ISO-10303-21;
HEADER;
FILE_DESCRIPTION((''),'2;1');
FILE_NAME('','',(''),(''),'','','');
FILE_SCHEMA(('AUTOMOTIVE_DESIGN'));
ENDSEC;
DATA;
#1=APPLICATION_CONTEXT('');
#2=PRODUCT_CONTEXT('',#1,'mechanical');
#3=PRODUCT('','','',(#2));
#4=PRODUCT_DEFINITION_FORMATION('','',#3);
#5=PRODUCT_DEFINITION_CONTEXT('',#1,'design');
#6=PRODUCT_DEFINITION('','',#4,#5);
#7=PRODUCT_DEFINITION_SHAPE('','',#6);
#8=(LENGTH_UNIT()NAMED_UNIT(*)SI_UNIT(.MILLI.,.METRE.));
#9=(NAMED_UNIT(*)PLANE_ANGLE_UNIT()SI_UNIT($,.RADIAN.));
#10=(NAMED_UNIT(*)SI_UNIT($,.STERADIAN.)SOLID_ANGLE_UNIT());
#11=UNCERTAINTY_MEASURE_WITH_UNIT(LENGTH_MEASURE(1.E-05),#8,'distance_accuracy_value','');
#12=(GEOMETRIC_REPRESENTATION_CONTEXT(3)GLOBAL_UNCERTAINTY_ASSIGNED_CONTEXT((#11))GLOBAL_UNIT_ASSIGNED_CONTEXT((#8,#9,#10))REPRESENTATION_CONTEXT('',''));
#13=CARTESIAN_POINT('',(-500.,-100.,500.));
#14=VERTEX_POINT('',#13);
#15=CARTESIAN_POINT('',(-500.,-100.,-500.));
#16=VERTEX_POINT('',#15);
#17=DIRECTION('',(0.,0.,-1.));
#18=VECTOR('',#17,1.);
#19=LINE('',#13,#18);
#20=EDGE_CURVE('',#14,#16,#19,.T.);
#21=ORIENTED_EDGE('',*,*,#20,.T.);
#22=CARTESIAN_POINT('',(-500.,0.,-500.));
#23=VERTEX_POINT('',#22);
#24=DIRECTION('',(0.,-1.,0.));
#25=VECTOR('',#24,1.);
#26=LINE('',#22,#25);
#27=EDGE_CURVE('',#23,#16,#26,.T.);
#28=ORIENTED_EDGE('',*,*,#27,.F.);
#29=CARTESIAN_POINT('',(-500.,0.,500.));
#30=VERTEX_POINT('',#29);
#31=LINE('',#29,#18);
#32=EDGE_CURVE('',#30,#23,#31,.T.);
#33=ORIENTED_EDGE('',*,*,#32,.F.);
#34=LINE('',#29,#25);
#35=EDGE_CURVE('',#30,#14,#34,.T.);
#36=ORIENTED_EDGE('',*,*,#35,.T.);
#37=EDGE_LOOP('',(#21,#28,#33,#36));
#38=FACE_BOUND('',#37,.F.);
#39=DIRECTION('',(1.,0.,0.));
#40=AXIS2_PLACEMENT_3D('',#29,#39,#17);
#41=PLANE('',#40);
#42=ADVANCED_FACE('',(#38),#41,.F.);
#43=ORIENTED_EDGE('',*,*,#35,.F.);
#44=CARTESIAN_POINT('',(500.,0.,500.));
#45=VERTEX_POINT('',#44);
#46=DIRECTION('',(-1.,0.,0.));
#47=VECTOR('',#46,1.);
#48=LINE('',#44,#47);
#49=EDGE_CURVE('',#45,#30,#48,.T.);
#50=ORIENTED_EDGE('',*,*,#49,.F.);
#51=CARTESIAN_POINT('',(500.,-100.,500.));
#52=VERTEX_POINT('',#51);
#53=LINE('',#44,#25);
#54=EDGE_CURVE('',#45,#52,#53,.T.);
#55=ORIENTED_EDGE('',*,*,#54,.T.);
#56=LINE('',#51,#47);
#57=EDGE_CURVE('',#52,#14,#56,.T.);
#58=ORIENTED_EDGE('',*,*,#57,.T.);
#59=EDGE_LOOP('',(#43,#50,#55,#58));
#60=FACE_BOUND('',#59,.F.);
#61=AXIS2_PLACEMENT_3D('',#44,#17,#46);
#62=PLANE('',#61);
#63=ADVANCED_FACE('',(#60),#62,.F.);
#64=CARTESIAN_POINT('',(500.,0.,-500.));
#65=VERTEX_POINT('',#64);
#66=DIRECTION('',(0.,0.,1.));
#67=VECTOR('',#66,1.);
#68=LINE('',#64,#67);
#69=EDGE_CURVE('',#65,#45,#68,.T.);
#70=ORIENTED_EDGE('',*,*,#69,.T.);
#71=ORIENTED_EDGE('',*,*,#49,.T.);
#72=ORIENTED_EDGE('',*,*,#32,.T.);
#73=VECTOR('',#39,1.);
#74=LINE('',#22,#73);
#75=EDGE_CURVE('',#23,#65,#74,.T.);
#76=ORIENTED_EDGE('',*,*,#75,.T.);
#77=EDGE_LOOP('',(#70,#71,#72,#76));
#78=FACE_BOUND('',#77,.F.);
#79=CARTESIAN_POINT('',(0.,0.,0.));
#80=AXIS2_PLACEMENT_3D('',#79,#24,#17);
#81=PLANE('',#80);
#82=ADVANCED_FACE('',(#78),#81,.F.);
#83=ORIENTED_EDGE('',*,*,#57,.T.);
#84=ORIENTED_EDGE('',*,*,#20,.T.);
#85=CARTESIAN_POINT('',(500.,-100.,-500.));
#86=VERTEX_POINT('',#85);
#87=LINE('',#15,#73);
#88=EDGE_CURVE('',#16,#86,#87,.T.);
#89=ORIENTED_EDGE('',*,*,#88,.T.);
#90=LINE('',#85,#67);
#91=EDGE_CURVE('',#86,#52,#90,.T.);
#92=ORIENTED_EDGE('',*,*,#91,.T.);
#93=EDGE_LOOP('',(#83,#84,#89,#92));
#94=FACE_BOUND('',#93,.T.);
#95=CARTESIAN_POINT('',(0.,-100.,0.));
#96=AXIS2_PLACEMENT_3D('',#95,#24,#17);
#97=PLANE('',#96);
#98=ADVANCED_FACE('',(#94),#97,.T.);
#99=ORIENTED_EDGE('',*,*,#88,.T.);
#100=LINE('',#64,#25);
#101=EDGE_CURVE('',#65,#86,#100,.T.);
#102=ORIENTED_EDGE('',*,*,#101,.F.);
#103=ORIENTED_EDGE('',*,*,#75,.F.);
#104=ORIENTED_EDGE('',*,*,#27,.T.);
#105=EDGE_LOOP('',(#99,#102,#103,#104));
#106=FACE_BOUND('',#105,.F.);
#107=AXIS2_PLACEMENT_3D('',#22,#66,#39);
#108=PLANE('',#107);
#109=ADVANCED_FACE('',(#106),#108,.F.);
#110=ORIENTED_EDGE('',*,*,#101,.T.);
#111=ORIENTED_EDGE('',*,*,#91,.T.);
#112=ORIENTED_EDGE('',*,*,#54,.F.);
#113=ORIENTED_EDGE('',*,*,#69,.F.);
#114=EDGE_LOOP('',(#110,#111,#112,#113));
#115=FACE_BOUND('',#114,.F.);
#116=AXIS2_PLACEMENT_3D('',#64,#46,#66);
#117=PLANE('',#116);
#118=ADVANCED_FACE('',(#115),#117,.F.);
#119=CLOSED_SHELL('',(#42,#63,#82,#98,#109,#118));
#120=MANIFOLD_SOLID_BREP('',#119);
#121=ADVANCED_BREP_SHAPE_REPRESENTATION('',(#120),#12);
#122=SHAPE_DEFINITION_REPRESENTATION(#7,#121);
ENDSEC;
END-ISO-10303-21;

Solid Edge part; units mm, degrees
sketch "Sketch1" plane through (0, 0, 0) normal (0, -1, 0) x (1, 0, 0)
  line L0 (500, -500) -> (500, 500)
  line L1 (500, 500) -> (-500, 500)
  line L2 (-500, 500) -> (-500, -500)
  line L3 (-500, -500) -> (500, -500)
extrude "Protrusion1" add sketch "Sketch1" along normal blind 100
